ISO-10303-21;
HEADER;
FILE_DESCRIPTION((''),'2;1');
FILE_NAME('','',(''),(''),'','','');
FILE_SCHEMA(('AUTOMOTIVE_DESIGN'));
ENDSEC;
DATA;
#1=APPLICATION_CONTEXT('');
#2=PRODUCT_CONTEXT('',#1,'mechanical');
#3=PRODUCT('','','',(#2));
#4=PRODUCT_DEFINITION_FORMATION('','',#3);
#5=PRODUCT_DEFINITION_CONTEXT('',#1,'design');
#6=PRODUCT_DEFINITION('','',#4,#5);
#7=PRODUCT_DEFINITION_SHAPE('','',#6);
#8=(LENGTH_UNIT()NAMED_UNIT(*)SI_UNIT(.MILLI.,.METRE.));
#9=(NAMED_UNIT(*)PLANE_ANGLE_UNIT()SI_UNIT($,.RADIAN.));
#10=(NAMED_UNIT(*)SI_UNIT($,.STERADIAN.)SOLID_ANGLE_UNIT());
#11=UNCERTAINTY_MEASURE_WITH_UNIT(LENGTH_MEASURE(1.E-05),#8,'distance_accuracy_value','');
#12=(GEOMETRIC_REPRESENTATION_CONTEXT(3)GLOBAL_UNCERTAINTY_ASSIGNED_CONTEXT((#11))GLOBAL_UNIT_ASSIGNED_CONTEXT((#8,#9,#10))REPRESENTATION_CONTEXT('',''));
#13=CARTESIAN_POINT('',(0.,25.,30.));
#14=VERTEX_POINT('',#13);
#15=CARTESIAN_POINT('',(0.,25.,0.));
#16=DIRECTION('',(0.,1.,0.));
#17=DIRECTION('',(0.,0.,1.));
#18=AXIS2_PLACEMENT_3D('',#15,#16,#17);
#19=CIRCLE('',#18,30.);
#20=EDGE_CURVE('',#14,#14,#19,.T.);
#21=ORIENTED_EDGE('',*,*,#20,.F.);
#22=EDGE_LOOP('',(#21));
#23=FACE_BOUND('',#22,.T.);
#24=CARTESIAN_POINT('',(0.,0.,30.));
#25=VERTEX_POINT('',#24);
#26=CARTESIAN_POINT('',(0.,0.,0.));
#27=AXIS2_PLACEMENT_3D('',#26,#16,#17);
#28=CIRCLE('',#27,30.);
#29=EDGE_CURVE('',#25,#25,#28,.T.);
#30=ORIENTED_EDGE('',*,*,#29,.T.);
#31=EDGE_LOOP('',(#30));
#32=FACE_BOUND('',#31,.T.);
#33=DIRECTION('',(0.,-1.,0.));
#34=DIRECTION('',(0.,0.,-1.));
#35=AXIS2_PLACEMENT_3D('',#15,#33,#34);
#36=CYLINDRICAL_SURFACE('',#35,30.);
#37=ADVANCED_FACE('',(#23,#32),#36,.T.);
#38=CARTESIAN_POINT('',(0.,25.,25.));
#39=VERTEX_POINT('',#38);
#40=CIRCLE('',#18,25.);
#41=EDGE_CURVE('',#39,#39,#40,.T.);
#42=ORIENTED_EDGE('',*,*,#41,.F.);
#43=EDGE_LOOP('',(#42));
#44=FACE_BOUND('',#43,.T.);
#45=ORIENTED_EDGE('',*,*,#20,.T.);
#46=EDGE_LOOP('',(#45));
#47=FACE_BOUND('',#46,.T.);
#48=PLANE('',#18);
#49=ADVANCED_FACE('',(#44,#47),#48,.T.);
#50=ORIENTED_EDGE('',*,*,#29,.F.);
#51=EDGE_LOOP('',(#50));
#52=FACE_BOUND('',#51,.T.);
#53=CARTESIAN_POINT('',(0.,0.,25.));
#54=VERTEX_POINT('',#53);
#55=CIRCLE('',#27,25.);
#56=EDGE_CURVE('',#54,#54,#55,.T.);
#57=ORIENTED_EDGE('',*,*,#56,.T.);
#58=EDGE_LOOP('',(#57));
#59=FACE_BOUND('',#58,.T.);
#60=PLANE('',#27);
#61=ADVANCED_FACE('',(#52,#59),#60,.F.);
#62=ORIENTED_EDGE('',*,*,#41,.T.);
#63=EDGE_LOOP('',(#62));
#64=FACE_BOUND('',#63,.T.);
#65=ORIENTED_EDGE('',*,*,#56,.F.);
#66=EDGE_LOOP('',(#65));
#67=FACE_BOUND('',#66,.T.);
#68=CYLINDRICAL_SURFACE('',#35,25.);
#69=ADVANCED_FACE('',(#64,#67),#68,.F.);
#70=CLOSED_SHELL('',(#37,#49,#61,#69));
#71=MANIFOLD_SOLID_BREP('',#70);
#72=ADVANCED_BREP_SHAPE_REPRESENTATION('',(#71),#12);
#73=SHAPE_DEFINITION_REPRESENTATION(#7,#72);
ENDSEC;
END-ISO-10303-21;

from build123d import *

# Parameters (mm, degrees)
SKETCH2_R           = 30
SKETCH2_R_2         = 25
BOSS_EXTRUDE1_DEPTH = 25


with BuildPart() as part:
    # Sketch2 → Boss-Extrude1 (new body)
    with BuildSketch(Plane(origin=(0, 0, 0), x_dir=(1, 0, 0), z_dir=(0, 1, 0))):
        Circle(SKETCH2_R)
        Circle(SKETCH2_R_2, mode=Mode.SUBTRACT)
    extrude(amount=BOSS_EXTRUDE1_DEPTH)


solid = part.part
